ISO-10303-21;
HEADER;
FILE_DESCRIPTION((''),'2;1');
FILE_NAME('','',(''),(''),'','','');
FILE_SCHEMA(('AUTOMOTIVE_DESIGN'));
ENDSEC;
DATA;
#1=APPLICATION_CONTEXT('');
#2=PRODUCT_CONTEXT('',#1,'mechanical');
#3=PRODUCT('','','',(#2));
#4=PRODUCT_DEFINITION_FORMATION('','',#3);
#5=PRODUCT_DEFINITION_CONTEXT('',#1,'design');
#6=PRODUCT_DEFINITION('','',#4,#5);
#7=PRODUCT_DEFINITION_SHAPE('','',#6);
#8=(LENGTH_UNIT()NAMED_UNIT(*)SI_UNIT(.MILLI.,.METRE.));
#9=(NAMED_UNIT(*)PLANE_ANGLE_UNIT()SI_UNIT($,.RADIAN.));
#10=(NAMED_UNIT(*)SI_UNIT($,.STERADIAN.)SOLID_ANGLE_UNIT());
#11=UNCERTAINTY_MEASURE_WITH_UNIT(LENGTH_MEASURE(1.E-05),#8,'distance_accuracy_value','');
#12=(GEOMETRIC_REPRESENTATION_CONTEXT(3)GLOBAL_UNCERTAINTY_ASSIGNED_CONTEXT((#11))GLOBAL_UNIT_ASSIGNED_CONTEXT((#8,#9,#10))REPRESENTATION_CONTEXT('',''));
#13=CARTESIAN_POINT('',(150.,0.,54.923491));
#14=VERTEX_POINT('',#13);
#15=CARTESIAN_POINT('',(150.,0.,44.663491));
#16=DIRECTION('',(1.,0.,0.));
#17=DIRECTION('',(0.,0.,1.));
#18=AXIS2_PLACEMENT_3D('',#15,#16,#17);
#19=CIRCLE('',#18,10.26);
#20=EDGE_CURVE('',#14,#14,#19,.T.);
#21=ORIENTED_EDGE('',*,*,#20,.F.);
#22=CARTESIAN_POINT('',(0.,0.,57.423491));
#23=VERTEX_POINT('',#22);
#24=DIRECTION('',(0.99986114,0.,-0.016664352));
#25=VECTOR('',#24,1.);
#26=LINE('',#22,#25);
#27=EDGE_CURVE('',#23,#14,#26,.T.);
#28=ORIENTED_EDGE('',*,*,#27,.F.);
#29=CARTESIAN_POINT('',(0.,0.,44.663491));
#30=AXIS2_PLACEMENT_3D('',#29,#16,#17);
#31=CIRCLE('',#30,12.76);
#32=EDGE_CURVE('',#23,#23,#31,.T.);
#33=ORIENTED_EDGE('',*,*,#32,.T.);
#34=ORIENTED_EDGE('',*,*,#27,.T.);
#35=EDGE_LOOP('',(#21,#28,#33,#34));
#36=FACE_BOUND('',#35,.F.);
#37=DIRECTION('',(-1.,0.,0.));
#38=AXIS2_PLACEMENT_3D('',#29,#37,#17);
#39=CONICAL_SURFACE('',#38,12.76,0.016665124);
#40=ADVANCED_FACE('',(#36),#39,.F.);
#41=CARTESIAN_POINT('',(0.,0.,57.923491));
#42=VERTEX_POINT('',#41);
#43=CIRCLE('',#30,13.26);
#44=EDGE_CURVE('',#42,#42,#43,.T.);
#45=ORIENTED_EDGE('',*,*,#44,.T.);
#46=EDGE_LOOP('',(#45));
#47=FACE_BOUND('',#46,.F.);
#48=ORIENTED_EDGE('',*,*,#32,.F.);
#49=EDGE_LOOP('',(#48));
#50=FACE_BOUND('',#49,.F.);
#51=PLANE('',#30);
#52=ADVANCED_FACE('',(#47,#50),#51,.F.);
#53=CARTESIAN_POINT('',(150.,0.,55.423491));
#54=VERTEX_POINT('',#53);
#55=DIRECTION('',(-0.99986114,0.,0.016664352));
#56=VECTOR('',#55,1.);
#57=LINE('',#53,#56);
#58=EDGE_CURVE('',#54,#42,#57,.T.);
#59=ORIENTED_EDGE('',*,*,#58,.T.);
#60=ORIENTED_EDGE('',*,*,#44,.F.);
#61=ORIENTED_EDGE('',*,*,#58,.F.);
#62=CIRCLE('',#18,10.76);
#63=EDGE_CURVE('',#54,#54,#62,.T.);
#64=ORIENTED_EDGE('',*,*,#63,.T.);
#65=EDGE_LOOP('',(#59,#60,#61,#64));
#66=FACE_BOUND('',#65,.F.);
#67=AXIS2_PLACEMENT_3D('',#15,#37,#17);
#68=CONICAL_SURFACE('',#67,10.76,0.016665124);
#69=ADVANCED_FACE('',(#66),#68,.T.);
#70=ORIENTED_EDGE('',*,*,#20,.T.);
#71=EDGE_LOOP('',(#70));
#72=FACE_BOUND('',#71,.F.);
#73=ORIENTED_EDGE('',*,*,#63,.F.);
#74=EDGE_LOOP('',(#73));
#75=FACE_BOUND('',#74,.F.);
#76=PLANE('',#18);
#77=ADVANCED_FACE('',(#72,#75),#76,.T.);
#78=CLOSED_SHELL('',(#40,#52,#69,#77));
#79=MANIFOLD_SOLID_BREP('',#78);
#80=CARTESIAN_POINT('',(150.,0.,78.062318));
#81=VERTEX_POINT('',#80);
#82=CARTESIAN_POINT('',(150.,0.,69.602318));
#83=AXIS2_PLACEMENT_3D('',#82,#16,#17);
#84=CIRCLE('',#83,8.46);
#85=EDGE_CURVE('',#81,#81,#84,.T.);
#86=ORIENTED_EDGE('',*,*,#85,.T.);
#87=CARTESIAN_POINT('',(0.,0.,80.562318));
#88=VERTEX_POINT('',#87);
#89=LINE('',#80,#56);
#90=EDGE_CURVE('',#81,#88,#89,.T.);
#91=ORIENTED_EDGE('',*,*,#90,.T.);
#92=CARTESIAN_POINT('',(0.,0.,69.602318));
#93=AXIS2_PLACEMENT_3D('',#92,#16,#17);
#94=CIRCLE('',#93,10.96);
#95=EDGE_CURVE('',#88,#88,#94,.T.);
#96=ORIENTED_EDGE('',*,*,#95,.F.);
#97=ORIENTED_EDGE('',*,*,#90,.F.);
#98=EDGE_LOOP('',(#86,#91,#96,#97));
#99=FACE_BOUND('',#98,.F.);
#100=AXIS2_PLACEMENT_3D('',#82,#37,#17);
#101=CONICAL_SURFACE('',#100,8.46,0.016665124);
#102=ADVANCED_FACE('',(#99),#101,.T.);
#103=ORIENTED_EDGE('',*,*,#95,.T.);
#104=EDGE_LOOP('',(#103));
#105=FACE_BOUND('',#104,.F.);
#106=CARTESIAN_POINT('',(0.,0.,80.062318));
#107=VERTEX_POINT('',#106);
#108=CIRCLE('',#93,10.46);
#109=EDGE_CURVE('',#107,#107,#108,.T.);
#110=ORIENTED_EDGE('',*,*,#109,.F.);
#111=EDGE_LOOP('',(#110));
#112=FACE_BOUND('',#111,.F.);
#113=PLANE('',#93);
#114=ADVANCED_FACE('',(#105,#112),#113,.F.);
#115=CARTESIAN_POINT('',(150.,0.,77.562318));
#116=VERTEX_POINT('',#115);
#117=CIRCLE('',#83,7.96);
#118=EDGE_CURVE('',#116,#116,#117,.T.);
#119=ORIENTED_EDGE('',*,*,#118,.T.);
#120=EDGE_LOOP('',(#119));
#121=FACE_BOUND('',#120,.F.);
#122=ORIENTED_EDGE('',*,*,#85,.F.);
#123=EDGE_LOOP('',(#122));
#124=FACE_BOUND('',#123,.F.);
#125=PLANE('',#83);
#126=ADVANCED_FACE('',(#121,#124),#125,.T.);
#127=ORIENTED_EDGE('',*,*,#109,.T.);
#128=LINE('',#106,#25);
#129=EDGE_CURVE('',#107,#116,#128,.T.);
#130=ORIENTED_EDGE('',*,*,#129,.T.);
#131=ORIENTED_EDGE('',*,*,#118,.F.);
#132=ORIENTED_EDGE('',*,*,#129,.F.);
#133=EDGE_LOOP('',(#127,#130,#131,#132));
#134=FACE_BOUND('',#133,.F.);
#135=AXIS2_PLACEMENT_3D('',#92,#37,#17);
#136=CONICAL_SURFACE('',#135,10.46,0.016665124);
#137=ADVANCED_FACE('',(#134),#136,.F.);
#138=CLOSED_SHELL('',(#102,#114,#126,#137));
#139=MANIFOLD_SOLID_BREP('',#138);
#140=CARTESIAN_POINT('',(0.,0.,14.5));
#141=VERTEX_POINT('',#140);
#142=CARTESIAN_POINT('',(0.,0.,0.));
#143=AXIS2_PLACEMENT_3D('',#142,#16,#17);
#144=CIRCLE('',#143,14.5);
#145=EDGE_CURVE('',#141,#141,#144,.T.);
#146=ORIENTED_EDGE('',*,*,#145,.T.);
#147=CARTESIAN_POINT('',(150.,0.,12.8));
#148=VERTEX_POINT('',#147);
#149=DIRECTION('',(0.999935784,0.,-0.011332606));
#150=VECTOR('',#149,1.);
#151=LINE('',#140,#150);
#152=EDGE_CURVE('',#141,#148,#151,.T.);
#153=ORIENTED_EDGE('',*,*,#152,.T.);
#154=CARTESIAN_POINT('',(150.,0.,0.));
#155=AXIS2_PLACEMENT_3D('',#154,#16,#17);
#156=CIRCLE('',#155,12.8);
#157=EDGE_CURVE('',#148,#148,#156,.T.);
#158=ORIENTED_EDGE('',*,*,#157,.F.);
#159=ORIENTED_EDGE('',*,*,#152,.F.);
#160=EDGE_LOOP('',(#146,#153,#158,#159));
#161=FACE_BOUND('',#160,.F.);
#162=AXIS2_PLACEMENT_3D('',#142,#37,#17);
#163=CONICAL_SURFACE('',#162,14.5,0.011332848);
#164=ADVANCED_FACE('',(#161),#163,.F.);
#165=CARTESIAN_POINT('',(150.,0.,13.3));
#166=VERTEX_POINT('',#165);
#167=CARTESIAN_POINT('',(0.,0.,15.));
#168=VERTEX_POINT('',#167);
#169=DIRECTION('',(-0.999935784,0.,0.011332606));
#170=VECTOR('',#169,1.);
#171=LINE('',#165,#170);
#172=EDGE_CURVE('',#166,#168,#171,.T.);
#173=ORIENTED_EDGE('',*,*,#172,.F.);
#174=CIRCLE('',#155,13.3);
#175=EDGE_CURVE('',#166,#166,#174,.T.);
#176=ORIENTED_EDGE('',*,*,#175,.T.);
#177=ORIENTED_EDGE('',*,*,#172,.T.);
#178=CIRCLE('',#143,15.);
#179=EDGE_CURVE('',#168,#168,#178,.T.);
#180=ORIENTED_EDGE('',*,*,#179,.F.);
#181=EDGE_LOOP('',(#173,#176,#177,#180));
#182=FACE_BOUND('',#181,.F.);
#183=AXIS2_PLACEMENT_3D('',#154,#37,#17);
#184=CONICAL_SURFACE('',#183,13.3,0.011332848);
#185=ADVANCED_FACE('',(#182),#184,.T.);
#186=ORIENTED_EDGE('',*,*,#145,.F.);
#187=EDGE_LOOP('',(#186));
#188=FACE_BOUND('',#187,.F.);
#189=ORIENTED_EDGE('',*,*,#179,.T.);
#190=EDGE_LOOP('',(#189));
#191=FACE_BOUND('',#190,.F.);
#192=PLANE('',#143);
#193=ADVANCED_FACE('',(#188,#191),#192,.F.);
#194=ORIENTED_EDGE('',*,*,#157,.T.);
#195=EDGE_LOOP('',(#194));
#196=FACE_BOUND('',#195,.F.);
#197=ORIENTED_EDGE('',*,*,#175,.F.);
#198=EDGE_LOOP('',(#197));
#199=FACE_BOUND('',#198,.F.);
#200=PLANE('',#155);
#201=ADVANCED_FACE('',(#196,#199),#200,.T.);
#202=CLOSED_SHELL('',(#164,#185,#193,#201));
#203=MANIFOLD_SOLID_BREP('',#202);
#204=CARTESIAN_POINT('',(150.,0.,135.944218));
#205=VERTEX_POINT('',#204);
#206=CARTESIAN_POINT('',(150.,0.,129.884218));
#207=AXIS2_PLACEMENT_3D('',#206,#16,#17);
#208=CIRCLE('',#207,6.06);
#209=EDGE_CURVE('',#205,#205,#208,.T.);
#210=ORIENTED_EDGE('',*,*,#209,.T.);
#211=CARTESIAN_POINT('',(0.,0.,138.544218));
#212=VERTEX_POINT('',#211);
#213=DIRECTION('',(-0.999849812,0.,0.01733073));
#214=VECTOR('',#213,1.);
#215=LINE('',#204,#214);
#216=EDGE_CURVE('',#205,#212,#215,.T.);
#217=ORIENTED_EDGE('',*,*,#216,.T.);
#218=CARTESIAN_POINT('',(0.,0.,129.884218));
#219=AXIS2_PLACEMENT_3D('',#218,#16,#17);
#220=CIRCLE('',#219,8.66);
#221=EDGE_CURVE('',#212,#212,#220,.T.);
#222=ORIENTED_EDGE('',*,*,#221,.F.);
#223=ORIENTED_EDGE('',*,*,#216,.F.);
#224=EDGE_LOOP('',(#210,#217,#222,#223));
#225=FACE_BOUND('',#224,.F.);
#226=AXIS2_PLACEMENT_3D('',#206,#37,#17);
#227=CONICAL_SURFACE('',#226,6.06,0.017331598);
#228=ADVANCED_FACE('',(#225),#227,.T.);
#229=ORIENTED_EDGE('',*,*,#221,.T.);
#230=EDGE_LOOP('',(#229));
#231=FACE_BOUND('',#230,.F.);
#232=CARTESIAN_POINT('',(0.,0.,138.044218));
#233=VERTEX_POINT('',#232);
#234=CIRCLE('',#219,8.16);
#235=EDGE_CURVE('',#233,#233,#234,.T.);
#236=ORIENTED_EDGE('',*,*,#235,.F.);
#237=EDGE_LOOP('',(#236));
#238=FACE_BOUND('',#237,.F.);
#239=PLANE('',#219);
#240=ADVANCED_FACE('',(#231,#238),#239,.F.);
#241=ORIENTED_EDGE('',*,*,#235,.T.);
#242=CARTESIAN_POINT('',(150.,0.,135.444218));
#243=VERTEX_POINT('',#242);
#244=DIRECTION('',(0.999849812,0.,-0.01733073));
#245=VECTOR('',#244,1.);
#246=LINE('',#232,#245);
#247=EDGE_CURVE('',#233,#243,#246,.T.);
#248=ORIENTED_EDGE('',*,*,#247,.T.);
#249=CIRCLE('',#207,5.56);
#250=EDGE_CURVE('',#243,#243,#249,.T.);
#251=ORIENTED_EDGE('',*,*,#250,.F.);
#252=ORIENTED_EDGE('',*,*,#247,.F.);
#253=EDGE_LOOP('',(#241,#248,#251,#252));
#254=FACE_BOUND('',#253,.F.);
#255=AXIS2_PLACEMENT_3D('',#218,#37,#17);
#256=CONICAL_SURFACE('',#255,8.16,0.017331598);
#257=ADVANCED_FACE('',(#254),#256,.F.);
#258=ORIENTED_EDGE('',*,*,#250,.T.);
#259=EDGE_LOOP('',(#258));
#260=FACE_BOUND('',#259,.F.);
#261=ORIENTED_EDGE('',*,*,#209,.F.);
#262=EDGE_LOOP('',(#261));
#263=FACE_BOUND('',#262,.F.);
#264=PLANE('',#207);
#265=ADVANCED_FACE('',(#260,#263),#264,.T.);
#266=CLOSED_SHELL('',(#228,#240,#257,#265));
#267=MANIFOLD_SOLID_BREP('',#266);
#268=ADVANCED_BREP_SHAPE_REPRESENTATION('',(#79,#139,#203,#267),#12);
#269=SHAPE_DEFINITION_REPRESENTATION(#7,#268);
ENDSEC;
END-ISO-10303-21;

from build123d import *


with BuildPart() as f1:
    # F0 (on Front) → F1 (revolve)
    with BuildSketch(Plane.XZ):
        Polygon((150, 13.3), (0, 15), (0, 14.5), (150, 12.8), align=None)
    revolve(axis=Axis((60, 0, 0), (1, 0, 0)))


with BuildPart() as f3:
    # F2 (on Front) → F3 (revolve)
    with BuildSketch(Plane.XZ):
        Polygon((150, 55.423491), (0, 57.923491), (0, 57.423491), (150, 54.923491), align=None)
    revolve(axis=Axis((60, 0, 44.663491), (1, 0, 0)))


with BuildPart() as f5:
    # F4 (on Front) → F5 (revolve)
    with BuildSketch(Plane.XZ):
        Polygon((150, 78.062318), (0, 80.562318), (0, 80.062318), (150, 77.562318), align=None)
    revolve(axis=Axis((60, 0, 69.602318), (1, 0, 0)))


with BuildPart() as f7:
    # F6 (on Front) → F7 (revolve)
    with BuildSketch(Plane.XZ):
        Polygon((150, 135.944218), (0, 138.544218), (0, 138.044218), (150, 135.444218), align=None)
    revolve(axis=Axis((60, 0, 129.884218), (1, 0, 0)))


solid = Compound([f1.part, f3.part, f5.part, f7.part])
